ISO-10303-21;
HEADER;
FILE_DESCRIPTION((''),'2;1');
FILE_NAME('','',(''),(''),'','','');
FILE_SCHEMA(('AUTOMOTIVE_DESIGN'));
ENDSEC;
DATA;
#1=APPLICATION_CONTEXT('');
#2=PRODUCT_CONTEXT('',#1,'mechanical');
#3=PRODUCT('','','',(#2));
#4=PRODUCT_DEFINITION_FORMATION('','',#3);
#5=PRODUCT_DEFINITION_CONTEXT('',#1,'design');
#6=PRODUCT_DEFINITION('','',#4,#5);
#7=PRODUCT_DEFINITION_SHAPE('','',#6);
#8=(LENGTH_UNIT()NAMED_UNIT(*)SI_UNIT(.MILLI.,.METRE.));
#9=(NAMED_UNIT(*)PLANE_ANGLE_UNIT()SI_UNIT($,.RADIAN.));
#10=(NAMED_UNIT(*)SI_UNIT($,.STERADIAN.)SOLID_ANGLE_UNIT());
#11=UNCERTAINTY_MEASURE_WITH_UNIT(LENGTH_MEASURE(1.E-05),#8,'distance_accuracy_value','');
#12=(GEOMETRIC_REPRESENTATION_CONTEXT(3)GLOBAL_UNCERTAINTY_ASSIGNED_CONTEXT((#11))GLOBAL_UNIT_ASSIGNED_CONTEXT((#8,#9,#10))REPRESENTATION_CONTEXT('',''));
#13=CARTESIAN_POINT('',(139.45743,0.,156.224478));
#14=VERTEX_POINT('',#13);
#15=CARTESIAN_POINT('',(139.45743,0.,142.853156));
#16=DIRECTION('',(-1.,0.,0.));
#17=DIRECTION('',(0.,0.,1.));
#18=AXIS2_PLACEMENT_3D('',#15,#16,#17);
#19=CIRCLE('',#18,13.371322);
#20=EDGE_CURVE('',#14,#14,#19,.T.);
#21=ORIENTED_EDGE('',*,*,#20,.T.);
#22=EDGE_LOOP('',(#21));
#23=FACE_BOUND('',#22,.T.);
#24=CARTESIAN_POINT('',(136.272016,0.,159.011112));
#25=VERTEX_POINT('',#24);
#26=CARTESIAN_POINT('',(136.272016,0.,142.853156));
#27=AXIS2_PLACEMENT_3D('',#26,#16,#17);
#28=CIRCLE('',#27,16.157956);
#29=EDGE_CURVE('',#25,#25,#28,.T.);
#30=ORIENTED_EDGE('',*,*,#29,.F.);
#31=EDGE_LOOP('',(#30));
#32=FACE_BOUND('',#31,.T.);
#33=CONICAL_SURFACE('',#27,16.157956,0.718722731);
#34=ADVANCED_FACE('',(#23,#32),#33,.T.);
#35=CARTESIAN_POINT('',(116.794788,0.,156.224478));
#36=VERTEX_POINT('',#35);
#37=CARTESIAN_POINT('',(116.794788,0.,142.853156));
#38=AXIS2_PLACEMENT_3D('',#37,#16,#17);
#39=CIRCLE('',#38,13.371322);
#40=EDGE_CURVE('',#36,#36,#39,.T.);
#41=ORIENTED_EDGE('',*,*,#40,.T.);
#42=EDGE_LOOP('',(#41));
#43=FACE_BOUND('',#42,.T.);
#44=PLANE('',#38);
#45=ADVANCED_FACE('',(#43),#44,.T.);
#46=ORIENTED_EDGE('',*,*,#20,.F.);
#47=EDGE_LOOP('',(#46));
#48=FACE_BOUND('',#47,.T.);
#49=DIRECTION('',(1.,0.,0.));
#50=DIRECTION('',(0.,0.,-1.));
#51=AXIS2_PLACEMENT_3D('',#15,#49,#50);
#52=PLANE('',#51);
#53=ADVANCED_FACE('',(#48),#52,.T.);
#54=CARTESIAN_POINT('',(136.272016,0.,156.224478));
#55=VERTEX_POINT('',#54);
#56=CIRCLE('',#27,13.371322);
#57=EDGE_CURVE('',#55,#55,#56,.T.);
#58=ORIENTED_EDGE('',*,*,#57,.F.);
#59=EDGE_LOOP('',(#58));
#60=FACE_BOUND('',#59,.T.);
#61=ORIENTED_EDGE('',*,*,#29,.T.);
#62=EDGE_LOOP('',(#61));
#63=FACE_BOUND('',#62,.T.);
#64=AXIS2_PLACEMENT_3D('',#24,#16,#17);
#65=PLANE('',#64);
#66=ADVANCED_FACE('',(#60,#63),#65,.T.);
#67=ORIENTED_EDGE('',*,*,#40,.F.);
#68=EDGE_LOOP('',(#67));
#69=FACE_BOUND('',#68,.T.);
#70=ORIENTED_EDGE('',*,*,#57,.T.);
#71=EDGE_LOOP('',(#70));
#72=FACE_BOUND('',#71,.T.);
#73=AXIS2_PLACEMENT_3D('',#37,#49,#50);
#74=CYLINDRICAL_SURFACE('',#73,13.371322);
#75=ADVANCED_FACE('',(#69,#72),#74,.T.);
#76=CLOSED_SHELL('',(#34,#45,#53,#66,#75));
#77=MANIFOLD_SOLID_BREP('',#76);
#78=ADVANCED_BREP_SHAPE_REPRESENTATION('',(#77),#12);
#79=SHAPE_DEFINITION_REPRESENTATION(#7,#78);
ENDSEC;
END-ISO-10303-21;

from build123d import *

# Parameters (mm, degrees)
SKETCH4_R           = 13.371322
BOSS_EXTRUDE1_DEPTH = 19.477228


with BuildPart() as part:
    # Sketch2 → Revolve1 (revolve)
    with BuildSketch(Plane(origin=(0, 0, 0), x_dir=(1, 0, 0), z_dir=(0, 1, 0))):
        Polygon((139.45743, -142.853156), (139.45743, -156.224478), (136.272016, -159.011112), (136.272016, -142.853156), align=None)
    revolve(axis=Axis((136.272016, 0, 142.853156), (1, 0, 0)))

    # Sketch4 → Boss-Extrude1 (add)
    with BuildSketch(Plane.ZY.offset(-136.272016)):
        with Locations((142.853156, 0)):
            Circle(SKETCH4_R)
    extrude(amount=BOSS_EXTRUDE1_DEPTH)


solid = part.part
